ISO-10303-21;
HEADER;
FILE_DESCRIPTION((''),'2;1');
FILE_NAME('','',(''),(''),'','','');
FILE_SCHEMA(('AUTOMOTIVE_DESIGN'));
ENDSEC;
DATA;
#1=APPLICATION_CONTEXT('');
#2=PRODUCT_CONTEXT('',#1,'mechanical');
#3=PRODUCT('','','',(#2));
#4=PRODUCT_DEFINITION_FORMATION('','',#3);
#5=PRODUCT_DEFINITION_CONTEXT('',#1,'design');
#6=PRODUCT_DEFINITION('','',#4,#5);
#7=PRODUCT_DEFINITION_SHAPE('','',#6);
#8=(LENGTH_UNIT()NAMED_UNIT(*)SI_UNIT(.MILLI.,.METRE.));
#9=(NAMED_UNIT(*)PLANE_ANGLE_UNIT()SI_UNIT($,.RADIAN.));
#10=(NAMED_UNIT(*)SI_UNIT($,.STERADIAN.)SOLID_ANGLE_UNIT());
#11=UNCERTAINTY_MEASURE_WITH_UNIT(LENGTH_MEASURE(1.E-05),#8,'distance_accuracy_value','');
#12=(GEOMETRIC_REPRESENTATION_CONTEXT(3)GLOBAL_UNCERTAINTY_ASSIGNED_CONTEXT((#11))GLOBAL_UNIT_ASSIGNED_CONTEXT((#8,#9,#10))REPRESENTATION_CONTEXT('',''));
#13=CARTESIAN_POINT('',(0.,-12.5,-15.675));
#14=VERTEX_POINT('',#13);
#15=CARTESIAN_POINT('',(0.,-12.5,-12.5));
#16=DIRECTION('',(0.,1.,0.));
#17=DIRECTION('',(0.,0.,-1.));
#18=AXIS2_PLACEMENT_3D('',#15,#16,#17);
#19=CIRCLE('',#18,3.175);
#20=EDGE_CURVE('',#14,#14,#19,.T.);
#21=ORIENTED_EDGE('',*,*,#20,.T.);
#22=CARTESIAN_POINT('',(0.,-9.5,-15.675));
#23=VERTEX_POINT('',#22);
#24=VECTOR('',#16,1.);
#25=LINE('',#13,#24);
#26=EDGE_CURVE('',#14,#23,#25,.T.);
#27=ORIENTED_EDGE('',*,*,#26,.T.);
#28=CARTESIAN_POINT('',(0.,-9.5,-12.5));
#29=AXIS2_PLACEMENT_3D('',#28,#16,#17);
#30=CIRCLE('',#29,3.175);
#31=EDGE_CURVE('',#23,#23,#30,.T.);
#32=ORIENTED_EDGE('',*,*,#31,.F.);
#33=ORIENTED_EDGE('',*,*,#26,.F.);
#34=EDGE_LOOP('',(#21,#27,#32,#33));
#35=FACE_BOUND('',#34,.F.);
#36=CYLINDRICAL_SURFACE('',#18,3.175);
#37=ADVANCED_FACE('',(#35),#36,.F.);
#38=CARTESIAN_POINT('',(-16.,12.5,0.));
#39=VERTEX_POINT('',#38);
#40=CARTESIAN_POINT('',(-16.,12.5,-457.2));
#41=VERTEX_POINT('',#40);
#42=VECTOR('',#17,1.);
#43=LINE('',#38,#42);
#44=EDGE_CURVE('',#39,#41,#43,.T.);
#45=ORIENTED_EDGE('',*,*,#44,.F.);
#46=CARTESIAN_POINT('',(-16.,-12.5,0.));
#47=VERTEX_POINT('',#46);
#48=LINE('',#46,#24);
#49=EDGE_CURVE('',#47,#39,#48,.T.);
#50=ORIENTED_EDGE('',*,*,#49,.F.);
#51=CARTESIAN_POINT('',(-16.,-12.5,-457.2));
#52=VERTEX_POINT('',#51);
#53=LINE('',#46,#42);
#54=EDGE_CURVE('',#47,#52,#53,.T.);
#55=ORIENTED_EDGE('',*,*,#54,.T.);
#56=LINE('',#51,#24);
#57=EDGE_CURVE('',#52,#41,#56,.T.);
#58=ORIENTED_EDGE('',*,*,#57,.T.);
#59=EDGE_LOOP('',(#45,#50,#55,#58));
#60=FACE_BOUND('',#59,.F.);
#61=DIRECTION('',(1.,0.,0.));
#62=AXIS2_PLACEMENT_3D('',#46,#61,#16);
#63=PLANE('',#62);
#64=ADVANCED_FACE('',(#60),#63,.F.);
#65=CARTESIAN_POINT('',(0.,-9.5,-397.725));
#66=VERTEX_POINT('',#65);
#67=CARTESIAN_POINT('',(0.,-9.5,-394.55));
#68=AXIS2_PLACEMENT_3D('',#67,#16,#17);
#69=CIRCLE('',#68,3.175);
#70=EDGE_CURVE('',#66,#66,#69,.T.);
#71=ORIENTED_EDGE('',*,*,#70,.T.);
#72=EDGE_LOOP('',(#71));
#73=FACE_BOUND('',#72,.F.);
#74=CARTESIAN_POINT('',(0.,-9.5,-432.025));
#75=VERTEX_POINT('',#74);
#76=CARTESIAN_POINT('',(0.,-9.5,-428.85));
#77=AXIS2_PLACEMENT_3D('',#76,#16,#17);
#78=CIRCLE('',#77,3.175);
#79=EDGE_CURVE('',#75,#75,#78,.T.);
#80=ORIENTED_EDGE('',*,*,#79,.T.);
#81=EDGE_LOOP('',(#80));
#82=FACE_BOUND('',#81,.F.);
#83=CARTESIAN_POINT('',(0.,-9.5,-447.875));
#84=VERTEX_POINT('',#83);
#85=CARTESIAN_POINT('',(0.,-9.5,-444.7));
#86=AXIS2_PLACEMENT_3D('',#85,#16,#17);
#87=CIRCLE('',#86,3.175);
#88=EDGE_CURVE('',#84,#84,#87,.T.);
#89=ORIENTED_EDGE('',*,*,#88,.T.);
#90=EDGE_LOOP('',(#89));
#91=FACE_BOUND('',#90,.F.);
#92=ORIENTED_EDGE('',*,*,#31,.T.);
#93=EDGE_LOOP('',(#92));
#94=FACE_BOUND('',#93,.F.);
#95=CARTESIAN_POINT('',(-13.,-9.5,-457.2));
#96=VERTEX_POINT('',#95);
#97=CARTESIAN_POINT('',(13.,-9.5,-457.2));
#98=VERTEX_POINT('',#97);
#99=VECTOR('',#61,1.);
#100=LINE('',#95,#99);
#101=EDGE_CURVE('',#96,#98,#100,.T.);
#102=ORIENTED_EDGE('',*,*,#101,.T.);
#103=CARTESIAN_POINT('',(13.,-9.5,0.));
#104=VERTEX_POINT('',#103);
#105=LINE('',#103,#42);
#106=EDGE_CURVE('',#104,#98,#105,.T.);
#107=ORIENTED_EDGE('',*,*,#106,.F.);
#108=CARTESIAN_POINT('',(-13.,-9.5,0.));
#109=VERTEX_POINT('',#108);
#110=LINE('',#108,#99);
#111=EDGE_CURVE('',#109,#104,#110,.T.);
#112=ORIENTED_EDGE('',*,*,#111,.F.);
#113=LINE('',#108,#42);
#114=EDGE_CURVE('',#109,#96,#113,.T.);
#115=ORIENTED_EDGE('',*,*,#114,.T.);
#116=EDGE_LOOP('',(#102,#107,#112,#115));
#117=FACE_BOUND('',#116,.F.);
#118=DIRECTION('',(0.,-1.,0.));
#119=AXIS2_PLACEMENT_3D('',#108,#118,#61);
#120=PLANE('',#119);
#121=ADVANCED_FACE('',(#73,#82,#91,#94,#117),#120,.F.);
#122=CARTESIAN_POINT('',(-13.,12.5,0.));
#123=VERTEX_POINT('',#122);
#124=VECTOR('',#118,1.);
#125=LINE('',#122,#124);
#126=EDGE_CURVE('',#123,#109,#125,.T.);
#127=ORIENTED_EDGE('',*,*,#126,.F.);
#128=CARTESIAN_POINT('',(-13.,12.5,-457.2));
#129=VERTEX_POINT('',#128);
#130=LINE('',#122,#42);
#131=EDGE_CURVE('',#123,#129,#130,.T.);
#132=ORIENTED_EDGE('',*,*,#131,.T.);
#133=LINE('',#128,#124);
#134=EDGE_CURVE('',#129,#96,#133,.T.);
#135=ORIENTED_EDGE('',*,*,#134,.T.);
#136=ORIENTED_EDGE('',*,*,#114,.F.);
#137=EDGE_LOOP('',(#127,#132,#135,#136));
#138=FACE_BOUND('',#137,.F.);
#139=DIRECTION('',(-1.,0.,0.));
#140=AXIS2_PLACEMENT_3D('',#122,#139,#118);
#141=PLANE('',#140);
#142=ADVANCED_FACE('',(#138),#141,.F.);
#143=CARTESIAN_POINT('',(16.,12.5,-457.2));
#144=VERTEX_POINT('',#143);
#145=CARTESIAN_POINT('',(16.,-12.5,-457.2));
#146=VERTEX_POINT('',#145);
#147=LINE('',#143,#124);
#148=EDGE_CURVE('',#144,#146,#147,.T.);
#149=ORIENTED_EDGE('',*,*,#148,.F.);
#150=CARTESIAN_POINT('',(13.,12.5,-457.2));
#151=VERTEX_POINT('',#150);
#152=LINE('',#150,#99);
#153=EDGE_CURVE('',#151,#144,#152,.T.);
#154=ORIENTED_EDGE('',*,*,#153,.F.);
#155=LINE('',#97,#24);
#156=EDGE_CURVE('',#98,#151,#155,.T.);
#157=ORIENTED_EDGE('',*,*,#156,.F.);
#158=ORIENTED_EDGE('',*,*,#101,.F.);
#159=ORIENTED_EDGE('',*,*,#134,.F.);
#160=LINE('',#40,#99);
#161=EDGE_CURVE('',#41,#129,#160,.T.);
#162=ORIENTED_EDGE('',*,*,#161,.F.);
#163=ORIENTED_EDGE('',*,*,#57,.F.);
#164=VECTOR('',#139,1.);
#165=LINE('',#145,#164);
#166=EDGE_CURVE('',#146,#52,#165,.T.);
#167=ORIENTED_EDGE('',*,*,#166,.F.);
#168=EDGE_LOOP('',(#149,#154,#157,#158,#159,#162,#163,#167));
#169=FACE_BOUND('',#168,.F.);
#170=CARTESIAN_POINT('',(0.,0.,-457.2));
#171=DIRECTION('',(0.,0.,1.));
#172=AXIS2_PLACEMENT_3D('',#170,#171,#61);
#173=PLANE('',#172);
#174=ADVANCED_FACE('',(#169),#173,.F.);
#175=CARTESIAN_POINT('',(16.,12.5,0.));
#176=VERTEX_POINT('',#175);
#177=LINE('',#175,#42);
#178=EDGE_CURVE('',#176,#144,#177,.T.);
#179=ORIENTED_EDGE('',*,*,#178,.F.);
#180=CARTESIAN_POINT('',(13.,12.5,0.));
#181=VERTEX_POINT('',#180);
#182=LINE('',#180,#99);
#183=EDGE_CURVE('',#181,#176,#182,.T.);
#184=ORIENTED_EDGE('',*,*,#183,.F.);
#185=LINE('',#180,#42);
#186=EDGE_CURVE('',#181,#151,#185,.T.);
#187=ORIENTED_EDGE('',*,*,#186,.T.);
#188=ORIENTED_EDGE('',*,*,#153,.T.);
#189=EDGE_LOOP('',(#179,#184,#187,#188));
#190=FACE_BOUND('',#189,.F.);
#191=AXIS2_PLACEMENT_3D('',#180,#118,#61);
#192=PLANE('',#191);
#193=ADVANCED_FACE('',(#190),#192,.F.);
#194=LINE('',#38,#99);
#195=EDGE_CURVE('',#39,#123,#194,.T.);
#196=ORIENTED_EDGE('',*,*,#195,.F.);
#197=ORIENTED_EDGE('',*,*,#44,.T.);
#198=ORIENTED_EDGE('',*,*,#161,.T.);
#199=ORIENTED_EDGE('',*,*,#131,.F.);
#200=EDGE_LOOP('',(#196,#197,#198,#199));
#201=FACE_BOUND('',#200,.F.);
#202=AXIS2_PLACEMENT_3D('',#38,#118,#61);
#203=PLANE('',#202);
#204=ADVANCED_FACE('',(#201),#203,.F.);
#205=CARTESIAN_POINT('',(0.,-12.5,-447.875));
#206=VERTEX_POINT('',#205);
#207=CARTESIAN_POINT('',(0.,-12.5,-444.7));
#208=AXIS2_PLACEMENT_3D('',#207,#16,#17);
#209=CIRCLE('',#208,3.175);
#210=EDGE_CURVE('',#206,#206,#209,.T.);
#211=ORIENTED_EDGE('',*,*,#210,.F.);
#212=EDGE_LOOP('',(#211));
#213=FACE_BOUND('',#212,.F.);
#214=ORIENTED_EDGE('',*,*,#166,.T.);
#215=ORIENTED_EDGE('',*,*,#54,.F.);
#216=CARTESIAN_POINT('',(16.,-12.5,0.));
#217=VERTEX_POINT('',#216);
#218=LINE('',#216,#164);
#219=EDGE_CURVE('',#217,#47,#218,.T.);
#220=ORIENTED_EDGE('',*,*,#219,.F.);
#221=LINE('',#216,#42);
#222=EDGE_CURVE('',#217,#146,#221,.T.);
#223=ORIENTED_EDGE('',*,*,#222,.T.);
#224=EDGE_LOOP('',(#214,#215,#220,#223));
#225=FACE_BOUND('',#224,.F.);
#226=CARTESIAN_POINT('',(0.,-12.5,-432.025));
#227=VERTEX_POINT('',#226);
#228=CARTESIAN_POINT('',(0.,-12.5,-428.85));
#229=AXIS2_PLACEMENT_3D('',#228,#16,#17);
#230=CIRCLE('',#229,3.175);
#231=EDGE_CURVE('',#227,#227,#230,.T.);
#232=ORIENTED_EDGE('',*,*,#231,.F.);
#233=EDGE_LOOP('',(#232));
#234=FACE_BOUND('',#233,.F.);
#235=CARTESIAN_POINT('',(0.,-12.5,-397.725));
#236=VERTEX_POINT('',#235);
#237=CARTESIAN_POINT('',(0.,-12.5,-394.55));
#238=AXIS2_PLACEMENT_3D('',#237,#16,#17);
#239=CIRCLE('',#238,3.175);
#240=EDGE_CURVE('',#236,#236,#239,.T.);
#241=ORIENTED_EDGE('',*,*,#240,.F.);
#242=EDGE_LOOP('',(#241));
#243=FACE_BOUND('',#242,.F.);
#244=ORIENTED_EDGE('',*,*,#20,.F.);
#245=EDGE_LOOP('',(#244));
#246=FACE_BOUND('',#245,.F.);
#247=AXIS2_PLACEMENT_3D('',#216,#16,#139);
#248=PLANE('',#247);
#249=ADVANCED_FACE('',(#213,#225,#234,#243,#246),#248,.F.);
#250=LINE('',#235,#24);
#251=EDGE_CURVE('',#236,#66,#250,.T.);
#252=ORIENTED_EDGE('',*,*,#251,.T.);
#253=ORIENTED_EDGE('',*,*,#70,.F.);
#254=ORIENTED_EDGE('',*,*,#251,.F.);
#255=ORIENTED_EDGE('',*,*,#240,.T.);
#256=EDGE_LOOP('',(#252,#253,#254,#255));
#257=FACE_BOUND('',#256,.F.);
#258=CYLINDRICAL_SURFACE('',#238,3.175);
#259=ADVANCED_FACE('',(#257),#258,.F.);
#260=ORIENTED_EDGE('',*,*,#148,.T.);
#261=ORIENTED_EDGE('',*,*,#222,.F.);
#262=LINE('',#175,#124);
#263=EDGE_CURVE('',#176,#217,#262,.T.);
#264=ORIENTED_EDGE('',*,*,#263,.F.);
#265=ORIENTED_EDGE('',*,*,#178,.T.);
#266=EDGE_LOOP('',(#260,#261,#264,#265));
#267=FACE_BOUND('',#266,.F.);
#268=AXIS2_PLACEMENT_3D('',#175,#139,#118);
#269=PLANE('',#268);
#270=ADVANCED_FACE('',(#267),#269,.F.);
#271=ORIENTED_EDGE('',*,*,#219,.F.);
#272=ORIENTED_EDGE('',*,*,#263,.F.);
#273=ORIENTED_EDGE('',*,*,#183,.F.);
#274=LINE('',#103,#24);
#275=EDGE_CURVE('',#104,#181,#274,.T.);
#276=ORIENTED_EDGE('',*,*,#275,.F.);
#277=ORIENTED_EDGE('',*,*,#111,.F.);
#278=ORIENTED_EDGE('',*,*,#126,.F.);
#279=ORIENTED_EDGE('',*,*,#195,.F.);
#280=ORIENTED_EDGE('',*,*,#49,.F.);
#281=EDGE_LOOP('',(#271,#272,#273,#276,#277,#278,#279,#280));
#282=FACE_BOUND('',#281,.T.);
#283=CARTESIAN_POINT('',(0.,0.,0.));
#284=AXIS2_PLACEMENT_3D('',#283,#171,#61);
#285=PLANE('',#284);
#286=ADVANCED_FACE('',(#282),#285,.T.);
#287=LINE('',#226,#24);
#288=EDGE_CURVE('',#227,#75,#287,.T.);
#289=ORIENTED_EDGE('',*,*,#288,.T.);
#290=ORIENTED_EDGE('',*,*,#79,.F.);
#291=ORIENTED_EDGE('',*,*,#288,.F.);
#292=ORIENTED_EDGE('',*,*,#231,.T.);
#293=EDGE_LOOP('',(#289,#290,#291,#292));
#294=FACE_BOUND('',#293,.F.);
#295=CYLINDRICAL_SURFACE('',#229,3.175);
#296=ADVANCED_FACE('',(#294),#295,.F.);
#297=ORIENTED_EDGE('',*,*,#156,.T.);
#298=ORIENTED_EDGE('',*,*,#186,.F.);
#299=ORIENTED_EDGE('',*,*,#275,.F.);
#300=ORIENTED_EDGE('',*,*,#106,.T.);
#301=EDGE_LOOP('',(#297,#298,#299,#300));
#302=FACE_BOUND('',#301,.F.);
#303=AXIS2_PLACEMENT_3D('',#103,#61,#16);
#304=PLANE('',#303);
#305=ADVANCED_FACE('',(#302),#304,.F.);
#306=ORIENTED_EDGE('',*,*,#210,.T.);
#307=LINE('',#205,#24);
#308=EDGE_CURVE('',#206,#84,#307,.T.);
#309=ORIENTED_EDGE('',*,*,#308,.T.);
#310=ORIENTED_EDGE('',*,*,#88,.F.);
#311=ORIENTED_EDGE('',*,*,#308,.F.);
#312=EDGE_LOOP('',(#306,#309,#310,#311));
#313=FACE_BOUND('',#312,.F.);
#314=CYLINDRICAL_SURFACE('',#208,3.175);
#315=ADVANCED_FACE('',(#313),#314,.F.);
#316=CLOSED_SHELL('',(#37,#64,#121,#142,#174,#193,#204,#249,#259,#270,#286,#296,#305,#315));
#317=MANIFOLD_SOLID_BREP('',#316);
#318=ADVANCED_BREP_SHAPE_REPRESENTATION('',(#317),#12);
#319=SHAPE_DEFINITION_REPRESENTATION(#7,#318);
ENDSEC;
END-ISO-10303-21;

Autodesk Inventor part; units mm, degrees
ref_plane "YZ Plane" through (0, 0, 0) normal (1, 0, 0) x (0, 1, 0)
ref_plane "XZ Plane" through (0, 0, 0) normal (0, 1, 0) x (-1, 0, 0)
ref_plane "XY Plane" through (0, 0, 0) normal (0, 0, 1) x (1, 0, 0)
sketch "Sketch1" plane through (0, 0, 0) normal (0, 0, 1) x (1, 0, 0)
  line L0 (-16, 12.5) -> (-13, 12.5)
  line L1 (-13, 12.5) -> (-13, -9.5)
  line L2 (-13, -9.5) -> (13, -9.5)
  line L3 (13, -9.5) -> (13, 12.5)
  line L4 (13, 12.5) -> (16, 12.5)
  line L5 (16, 12.5) -> (16, -12.5)
  line L6 (16, -12.5) -> (-16, -12.5)
  line L7 (-16, -12.5) -> (-16, 12.5)
  point P0 (0, 0)
  dimension "d0" = 3
  dimension "d2" = 3
  dimension "d3" = 25
  dimension "d4" = 32
  dimension "d5" = 16
  dimension "d7" = 12.5
  dimension "d8" = 3
  dimension "d38" = 25
extrude "Extrusion1" add sketch "Sketch1" against normal blind 457.2
sketch "Sketch6" plane through (-16, -12.5, 0) normal (0, -1, 0) x (1, 0, 0)
  circle A0 centre (16, -444.7) radius 3.175
  line L0 (32, -457.2) -> (0, -457.2) projected
  line L1 (32, 0) -> (32, -457.2) projected
  line L2 (32, 0) -> (0, 0) projected
  circle A1 centre (16, -12.5) radius 3.175
  line L3 (0, 0) -> (0, -457.2) projected
  line L4 (32, -435.2) -> (0, -435.2) construction
  line L5 (32, -385.2) -> (0, -385.2) construction
  line L6 (32, -388.2) -> (0, -388.2) construction
  circle A2 centre (16, -394.55) radius 3.175
  circle A3 centre (16, -428.85) radius 3.175
  point P0 (16, 0)
  dimension "d21" = 6.35
  dimension "d36" = 16
  dimension "d37" = 12.5
  dimension "d39" = 6.35
  dimension "d40" = 12.5
  dimension "d57" = 22
  dimension "d58" = 50
  dimension "d59" = 3
  dimension "d61" = 6.35
  dimension "d62" = 6.35
  dimension "d63" = 6.35
hole "Hole1" at (0, -12.5, -12.5) at (0, -12.5, -444.7) at (0, -12.5, -394.55) at (0, -12.5, -428.85) direction (0, 1, 0) diameter 6.35 depth 3 tip angle 118
equation "\"d2\" = d0"
equation "\"d5\" = 0.5 * d4"
equation "\"d7\" = 0.5 * d3"
equation "\"d8\" = d0"
equation "\"d40\" = d37"
equation "\"d63\" = d62"
properties part number "18in C-Channel Rear" material "Aluminum 6061"
